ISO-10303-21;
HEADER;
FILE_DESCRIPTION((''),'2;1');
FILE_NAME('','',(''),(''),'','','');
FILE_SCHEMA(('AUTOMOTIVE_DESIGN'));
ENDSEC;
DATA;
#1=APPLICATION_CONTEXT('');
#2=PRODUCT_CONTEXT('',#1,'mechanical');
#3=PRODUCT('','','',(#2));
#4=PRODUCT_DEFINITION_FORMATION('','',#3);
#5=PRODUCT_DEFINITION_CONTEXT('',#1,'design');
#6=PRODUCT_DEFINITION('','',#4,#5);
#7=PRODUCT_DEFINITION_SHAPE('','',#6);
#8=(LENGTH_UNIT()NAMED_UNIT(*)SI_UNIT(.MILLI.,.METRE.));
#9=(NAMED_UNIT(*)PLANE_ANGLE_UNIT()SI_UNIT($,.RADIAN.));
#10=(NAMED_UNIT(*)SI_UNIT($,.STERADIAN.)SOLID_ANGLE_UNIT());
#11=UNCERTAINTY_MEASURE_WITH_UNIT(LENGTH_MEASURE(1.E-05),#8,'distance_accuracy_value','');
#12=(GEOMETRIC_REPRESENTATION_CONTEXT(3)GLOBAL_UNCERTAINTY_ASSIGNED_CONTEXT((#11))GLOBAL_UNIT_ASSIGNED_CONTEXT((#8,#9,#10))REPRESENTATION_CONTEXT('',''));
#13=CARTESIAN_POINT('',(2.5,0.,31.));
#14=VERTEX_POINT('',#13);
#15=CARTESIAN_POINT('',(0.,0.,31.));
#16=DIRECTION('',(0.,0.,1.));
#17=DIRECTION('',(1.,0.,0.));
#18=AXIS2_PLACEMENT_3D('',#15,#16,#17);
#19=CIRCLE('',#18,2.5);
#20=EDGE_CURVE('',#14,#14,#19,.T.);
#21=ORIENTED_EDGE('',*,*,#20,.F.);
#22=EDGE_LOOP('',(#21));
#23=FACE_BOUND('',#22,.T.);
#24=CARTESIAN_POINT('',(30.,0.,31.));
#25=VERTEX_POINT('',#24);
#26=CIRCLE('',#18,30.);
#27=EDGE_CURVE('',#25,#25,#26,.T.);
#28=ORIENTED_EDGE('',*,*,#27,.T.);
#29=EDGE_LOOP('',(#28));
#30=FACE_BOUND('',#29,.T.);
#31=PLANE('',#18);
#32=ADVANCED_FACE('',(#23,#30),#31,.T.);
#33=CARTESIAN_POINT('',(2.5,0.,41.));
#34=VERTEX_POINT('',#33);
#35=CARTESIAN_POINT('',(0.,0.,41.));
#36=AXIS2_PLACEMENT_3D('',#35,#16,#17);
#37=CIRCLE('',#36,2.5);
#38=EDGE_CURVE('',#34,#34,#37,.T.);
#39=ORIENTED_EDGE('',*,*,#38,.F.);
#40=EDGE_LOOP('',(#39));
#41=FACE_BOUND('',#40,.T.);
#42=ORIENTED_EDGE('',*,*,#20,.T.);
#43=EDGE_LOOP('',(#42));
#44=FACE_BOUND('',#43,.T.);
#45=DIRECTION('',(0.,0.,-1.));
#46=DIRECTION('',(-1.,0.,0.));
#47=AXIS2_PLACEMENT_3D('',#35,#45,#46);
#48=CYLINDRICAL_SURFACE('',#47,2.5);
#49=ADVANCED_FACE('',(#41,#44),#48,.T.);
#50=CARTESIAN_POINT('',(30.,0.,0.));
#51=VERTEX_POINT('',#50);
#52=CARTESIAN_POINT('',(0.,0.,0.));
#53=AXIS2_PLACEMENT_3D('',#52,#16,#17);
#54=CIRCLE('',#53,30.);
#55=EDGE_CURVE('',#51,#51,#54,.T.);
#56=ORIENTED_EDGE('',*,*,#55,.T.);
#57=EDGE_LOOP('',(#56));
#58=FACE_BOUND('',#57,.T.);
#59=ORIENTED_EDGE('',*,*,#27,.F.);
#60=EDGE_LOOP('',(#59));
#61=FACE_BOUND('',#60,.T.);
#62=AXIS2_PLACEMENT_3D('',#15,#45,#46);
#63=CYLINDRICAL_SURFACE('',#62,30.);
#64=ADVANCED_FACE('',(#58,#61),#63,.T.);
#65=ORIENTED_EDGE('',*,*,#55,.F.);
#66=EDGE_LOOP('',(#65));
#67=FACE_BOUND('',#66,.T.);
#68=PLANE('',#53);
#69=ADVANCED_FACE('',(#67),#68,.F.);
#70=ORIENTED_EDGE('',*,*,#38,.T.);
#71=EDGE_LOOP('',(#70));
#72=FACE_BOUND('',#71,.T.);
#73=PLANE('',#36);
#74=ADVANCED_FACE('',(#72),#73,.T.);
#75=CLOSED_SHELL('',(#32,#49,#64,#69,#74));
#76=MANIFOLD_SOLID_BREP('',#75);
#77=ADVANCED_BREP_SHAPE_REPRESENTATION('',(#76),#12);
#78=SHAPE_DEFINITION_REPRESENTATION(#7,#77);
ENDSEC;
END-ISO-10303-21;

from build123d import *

# Parameters (mm, degrees)
SKETCH_2_R      = 30
EXTRUDE_1_DEPTH = 31
SKETCH_3_R      = 2.5
EXTRUDE_2_DEPTH = 10


with BuildPart() as part:
    # 草图2 → 凸台-拉伸1 (new body)
    with BuildSketch(Plane.XY):
        Circle(SKETCH_2_R)
    extrude(amount=EXTRUDE_1_DEPTH)

    # 草图3 → 凸台-拉伸2 (add)
    with BuildSketch(Plane.XY.offset(31)):
        Circle(SKETCH_3_R)
    extrude(amount=EXTRUDE_2_DEPTH)


solid = part.part
